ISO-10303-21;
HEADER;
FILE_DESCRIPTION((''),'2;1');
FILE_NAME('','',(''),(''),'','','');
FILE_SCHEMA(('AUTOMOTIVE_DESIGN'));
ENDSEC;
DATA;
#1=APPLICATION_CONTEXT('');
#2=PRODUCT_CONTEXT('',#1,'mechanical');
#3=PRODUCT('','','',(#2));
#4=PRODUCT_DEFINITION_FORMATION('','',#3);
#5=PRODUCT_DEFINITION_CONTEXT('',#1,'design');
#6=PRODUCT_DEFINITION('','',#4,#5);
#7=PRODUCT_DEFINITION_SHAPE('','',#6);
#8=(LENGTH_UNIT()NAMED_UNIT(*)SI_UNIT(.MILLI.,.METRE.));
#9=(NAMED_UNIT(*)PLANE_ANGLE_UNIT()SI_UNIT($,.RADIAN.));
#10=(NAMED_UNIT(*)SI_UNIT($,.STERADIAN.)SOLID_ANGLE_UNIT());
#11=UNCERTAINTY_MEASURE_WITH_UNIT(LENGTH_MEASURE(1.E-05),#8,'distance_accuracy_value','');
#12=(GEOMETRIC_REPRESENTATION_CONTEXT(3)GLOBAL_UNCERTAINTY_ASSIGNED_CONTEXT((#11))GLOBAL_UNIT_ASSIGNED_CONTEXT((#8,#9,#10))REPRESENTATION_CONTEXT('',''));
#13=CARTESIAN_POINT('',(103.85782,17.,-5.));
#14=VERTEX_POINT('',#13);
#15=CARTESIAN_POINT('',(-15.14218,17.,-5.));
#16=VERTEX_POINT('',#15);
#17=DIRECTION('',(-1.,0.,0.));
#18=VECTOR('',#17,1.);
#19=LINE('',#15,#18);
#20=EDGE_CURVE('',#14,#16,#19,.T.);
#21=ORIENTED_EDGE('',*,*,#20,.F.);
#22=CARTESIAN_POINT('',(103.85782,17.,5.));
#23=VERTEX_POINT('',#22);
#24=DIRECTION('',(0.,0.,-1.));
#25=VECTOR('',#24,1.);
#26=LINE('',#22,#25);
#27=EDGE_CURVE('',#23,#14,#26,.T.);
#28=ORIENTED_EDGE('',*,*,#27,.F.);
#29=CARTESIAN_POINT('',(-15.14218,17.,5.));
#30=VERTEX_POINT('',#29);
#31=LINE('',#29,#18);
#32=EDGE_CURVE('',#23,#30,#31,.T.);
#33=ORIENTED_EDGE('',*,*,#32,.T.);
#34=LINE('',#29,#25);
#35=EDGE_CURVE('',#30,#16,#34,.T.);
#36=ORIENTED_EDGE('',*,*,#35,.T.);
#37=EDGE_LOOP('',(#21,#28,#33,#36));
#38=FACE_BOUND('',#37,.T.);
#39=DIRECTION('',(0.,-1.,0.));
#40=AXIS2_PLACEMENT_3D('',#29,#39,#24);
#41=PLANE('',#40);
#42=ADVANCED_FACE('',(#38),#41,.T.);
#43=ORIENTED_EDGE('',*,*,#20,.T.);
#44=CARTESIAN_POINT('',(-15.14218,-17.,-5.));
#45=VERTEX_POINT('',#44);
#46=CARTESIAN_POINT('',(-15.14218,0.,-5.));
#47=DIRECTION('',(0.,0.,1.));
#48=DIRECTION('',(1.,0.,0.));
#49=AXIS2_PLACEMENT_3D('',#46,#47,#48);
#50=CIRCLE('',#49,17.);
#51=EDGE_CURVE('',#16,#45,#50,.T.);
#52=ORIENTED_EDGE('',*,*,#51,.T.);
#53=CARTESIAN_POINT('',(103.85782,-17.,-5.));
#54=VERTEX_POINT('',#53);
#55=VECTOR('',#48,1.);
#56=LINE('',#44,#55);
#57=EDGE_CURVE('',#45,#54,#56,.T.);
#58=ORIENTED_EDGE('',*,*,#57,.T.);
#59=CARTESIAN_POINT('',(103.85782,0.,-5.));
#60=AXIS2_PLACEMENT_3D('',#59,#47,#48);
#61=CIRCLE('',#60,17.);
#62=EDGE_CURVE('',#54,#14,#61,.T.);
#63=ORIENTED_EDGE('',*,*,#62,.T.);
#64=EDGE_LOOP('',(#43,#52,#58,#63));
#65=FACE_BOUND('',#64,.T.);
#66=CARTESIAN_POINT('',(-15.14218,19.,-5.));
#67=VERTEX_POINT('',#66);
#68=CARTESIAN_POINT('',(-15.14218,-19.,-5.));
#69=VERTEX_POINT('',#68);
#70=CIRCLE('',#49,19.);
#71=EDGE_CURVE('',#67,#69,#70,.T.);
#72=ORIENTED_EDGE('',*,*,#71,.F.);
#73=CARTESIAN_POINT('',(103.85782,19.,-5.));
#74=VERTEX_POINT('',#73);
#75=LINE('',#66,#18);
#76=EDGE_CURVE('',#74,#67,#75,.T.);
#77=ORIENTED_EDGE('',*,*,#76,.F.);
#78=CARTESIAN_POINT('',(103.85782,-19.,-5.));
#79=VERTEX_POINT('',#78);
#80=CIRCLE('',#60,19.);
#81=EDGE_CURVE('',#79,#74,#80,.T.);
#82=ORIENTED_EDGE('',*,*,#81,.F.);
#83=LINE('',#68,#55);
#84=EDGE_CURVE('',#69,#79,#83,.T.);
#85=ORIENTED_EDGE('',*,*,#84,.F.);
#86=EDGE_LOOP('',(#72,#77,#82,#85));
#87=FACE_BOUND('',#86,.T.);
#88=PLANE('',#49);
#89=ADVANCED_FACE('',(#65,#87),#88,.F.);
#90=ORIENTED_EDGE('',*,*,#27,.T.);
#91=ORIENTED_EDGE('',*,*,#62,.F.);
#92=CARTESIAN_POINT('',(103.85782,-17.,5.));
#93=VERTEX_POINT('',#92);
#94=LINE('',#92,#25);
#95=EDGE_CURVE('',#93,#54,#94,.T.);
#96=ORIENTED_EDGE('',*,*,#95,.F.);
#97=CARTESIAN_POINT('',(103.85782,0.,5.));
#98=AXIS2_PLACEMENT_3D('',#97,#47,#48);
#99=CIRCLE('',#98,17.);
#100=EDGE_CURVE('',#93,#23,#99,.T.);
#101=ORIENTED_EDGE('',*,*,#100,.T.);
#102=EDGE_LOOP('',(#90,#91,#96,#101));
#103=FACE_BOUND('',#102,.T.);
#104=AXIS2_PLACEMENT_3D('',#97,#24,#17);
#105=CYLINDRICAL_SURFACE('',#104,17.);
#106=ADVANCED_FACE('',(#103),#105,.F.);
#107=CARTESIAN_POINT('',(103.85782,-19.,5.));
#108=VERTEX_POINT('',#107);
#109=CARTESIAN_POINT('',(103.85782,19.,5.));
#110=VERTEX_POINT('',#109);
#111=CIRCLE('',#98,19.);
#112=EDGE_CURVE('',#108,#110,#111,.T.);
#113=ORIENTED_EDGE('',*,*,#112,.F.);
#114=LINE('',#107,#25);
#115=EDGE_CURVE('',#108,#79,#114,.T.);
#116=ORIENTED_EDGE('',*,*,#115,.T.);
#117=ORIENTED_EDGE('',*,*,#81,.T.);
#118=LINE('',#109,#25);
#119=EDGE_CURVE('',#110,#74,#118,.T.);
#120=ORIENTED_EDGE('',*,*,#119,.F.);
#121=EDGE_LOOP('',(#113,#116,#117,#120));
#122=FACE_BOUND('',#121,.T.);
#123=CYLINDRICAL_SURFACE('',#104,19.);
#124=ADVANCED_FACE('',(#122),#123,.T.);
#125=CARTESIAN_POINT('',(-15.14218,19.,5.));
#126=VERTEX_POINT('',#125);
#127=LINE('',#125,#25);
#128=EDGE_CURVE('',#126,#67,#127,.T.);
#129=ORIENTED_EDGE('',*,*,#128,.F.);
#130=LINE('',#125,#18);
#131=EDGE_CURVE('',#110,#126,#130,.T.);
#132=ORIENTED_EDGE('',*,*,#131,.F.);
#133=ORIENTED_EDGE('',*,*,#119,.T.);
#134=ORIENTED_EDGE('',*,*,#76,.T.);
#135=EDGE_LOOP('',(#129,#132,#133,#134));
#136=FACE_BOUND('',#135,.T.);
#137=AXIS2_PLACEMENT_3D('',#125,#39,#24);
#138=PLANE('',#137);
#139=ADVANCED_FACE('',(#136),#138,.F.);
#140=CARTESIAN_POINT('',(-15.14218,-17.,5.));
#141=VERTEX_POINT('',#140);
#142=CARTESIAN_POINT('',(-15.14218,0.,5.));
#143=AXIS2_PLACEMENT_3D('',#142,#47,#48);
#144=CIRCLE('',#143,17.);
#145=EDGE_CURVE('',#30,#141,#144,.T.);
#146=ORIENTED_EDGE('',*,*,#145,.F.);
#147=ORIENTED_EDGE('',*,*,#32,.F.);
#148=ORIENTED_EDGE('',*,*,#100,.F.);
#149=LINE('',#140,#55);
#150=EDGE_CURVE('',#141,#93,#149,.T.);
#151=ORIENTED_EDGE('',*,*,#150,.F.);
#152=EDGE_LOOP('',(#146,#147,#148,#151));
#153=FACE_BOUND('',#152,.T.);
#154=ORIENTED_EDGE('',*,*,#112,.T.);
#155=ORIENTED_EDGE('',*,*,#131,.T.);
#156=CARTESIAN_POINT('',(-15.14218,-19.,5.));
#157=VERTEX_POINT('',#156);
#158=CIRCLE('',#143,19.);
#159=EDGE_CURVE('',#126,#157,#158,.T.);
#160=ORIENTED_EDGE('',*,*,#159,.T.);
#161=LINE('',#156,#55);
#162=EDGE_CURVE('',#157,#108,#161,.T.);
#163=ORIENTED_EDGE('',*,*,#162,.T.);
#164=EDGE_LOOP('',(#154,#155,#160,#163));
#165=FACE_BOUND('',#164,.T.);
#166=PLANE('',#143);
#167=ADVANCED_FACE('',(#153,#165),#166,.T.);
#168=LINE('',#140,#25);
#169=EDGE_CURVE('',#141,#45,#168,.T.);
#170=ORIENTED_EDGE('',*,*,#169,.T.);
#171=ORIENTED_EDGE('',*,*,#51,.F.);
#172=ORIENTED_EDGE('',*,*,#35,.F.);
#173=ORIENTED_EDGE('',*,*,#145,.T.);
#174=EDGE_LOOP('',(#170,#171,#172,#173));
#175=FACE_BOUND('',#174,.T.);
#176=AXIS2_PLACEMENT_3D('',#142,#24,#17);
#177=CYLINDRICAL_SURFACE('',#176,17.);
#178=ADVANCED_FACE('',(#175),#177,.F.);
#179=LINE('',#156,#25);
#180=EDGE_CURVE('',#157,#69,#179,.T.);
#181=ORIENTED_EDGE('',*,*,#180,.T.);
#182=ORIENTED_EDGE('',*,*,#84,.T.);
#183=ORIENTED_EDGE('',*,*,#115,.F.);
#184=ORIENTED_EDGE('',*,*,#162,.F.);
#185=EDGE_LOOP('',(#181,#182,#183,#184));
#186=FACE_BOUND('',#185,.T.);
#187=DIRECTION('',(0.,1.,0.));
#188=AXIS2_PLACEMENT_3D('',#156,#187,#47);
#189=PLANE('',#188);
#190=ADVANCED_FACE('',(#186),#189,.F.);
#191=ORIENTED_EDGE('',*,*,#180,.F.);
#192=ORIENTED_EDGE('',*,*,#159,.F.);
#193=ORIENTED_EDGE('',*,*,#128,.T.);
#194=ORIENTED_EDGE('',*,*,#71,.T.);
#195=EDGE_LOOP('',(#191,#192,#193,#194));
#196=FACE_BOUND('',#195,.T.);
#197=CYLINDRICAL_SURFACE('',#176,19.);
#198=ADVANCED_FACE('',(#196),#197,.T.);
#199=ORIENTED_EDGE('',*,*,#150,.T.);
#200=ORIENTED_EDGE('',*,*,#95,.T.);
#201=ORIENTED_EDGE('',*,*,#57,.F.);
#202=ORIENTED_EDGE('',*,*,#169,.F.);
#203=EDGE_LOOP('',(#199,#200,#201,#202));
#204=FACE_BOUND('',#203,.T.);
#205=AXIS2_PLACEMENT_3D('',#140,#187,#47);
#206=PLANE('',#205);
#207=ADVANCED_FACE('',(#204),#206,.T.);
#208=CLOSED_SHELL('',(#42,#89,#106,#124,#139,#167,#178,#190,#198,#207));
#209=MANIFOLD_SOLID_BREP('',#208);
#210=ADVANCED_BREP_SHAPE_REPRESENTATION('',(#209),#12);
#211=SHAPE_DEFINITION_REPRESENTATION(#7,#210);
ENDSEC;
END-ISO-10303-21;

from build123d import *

# Parameters (mm, degrees)
EXTRUDE_1_DEPTH = 5


with BuildPart() as part:
    # 草图1 → 拉伸-薄壁1 (new, symmetric)
    with BuildSketch(Plane.XY):
        with BuildLine():
            Line((103.857819905, -19), (-15.142180095, -19))
            ThreePointArc((-15.142180095, -19), (-34.142180095, 0), (-15.142180095, 19))
            Line((-15.142180095, 19), (103.857819905, 19))
            ThreePointArc((103.857819905, 19), (122.857819905, 0), (103.857819905, -19))
        make_face()
        with BuildLine():
            Line((103.857819905, -17), (-15.142180095, -17))
            ThreePointArc((-15.142180095, -17), (-32.142180095, 0), (-15.142180095, 17))
            Line((-15.142180095, 17), (103.857819905, 17))
            ThreePointArc((103.857819905, 17), (120.857819905, 0), (103.857819905, -17))
        make_face(mode=Mode.SUBTRACT)
    extrude(amount=EXTRUDE_1_DEPTH, both=True)


solid = part.part
